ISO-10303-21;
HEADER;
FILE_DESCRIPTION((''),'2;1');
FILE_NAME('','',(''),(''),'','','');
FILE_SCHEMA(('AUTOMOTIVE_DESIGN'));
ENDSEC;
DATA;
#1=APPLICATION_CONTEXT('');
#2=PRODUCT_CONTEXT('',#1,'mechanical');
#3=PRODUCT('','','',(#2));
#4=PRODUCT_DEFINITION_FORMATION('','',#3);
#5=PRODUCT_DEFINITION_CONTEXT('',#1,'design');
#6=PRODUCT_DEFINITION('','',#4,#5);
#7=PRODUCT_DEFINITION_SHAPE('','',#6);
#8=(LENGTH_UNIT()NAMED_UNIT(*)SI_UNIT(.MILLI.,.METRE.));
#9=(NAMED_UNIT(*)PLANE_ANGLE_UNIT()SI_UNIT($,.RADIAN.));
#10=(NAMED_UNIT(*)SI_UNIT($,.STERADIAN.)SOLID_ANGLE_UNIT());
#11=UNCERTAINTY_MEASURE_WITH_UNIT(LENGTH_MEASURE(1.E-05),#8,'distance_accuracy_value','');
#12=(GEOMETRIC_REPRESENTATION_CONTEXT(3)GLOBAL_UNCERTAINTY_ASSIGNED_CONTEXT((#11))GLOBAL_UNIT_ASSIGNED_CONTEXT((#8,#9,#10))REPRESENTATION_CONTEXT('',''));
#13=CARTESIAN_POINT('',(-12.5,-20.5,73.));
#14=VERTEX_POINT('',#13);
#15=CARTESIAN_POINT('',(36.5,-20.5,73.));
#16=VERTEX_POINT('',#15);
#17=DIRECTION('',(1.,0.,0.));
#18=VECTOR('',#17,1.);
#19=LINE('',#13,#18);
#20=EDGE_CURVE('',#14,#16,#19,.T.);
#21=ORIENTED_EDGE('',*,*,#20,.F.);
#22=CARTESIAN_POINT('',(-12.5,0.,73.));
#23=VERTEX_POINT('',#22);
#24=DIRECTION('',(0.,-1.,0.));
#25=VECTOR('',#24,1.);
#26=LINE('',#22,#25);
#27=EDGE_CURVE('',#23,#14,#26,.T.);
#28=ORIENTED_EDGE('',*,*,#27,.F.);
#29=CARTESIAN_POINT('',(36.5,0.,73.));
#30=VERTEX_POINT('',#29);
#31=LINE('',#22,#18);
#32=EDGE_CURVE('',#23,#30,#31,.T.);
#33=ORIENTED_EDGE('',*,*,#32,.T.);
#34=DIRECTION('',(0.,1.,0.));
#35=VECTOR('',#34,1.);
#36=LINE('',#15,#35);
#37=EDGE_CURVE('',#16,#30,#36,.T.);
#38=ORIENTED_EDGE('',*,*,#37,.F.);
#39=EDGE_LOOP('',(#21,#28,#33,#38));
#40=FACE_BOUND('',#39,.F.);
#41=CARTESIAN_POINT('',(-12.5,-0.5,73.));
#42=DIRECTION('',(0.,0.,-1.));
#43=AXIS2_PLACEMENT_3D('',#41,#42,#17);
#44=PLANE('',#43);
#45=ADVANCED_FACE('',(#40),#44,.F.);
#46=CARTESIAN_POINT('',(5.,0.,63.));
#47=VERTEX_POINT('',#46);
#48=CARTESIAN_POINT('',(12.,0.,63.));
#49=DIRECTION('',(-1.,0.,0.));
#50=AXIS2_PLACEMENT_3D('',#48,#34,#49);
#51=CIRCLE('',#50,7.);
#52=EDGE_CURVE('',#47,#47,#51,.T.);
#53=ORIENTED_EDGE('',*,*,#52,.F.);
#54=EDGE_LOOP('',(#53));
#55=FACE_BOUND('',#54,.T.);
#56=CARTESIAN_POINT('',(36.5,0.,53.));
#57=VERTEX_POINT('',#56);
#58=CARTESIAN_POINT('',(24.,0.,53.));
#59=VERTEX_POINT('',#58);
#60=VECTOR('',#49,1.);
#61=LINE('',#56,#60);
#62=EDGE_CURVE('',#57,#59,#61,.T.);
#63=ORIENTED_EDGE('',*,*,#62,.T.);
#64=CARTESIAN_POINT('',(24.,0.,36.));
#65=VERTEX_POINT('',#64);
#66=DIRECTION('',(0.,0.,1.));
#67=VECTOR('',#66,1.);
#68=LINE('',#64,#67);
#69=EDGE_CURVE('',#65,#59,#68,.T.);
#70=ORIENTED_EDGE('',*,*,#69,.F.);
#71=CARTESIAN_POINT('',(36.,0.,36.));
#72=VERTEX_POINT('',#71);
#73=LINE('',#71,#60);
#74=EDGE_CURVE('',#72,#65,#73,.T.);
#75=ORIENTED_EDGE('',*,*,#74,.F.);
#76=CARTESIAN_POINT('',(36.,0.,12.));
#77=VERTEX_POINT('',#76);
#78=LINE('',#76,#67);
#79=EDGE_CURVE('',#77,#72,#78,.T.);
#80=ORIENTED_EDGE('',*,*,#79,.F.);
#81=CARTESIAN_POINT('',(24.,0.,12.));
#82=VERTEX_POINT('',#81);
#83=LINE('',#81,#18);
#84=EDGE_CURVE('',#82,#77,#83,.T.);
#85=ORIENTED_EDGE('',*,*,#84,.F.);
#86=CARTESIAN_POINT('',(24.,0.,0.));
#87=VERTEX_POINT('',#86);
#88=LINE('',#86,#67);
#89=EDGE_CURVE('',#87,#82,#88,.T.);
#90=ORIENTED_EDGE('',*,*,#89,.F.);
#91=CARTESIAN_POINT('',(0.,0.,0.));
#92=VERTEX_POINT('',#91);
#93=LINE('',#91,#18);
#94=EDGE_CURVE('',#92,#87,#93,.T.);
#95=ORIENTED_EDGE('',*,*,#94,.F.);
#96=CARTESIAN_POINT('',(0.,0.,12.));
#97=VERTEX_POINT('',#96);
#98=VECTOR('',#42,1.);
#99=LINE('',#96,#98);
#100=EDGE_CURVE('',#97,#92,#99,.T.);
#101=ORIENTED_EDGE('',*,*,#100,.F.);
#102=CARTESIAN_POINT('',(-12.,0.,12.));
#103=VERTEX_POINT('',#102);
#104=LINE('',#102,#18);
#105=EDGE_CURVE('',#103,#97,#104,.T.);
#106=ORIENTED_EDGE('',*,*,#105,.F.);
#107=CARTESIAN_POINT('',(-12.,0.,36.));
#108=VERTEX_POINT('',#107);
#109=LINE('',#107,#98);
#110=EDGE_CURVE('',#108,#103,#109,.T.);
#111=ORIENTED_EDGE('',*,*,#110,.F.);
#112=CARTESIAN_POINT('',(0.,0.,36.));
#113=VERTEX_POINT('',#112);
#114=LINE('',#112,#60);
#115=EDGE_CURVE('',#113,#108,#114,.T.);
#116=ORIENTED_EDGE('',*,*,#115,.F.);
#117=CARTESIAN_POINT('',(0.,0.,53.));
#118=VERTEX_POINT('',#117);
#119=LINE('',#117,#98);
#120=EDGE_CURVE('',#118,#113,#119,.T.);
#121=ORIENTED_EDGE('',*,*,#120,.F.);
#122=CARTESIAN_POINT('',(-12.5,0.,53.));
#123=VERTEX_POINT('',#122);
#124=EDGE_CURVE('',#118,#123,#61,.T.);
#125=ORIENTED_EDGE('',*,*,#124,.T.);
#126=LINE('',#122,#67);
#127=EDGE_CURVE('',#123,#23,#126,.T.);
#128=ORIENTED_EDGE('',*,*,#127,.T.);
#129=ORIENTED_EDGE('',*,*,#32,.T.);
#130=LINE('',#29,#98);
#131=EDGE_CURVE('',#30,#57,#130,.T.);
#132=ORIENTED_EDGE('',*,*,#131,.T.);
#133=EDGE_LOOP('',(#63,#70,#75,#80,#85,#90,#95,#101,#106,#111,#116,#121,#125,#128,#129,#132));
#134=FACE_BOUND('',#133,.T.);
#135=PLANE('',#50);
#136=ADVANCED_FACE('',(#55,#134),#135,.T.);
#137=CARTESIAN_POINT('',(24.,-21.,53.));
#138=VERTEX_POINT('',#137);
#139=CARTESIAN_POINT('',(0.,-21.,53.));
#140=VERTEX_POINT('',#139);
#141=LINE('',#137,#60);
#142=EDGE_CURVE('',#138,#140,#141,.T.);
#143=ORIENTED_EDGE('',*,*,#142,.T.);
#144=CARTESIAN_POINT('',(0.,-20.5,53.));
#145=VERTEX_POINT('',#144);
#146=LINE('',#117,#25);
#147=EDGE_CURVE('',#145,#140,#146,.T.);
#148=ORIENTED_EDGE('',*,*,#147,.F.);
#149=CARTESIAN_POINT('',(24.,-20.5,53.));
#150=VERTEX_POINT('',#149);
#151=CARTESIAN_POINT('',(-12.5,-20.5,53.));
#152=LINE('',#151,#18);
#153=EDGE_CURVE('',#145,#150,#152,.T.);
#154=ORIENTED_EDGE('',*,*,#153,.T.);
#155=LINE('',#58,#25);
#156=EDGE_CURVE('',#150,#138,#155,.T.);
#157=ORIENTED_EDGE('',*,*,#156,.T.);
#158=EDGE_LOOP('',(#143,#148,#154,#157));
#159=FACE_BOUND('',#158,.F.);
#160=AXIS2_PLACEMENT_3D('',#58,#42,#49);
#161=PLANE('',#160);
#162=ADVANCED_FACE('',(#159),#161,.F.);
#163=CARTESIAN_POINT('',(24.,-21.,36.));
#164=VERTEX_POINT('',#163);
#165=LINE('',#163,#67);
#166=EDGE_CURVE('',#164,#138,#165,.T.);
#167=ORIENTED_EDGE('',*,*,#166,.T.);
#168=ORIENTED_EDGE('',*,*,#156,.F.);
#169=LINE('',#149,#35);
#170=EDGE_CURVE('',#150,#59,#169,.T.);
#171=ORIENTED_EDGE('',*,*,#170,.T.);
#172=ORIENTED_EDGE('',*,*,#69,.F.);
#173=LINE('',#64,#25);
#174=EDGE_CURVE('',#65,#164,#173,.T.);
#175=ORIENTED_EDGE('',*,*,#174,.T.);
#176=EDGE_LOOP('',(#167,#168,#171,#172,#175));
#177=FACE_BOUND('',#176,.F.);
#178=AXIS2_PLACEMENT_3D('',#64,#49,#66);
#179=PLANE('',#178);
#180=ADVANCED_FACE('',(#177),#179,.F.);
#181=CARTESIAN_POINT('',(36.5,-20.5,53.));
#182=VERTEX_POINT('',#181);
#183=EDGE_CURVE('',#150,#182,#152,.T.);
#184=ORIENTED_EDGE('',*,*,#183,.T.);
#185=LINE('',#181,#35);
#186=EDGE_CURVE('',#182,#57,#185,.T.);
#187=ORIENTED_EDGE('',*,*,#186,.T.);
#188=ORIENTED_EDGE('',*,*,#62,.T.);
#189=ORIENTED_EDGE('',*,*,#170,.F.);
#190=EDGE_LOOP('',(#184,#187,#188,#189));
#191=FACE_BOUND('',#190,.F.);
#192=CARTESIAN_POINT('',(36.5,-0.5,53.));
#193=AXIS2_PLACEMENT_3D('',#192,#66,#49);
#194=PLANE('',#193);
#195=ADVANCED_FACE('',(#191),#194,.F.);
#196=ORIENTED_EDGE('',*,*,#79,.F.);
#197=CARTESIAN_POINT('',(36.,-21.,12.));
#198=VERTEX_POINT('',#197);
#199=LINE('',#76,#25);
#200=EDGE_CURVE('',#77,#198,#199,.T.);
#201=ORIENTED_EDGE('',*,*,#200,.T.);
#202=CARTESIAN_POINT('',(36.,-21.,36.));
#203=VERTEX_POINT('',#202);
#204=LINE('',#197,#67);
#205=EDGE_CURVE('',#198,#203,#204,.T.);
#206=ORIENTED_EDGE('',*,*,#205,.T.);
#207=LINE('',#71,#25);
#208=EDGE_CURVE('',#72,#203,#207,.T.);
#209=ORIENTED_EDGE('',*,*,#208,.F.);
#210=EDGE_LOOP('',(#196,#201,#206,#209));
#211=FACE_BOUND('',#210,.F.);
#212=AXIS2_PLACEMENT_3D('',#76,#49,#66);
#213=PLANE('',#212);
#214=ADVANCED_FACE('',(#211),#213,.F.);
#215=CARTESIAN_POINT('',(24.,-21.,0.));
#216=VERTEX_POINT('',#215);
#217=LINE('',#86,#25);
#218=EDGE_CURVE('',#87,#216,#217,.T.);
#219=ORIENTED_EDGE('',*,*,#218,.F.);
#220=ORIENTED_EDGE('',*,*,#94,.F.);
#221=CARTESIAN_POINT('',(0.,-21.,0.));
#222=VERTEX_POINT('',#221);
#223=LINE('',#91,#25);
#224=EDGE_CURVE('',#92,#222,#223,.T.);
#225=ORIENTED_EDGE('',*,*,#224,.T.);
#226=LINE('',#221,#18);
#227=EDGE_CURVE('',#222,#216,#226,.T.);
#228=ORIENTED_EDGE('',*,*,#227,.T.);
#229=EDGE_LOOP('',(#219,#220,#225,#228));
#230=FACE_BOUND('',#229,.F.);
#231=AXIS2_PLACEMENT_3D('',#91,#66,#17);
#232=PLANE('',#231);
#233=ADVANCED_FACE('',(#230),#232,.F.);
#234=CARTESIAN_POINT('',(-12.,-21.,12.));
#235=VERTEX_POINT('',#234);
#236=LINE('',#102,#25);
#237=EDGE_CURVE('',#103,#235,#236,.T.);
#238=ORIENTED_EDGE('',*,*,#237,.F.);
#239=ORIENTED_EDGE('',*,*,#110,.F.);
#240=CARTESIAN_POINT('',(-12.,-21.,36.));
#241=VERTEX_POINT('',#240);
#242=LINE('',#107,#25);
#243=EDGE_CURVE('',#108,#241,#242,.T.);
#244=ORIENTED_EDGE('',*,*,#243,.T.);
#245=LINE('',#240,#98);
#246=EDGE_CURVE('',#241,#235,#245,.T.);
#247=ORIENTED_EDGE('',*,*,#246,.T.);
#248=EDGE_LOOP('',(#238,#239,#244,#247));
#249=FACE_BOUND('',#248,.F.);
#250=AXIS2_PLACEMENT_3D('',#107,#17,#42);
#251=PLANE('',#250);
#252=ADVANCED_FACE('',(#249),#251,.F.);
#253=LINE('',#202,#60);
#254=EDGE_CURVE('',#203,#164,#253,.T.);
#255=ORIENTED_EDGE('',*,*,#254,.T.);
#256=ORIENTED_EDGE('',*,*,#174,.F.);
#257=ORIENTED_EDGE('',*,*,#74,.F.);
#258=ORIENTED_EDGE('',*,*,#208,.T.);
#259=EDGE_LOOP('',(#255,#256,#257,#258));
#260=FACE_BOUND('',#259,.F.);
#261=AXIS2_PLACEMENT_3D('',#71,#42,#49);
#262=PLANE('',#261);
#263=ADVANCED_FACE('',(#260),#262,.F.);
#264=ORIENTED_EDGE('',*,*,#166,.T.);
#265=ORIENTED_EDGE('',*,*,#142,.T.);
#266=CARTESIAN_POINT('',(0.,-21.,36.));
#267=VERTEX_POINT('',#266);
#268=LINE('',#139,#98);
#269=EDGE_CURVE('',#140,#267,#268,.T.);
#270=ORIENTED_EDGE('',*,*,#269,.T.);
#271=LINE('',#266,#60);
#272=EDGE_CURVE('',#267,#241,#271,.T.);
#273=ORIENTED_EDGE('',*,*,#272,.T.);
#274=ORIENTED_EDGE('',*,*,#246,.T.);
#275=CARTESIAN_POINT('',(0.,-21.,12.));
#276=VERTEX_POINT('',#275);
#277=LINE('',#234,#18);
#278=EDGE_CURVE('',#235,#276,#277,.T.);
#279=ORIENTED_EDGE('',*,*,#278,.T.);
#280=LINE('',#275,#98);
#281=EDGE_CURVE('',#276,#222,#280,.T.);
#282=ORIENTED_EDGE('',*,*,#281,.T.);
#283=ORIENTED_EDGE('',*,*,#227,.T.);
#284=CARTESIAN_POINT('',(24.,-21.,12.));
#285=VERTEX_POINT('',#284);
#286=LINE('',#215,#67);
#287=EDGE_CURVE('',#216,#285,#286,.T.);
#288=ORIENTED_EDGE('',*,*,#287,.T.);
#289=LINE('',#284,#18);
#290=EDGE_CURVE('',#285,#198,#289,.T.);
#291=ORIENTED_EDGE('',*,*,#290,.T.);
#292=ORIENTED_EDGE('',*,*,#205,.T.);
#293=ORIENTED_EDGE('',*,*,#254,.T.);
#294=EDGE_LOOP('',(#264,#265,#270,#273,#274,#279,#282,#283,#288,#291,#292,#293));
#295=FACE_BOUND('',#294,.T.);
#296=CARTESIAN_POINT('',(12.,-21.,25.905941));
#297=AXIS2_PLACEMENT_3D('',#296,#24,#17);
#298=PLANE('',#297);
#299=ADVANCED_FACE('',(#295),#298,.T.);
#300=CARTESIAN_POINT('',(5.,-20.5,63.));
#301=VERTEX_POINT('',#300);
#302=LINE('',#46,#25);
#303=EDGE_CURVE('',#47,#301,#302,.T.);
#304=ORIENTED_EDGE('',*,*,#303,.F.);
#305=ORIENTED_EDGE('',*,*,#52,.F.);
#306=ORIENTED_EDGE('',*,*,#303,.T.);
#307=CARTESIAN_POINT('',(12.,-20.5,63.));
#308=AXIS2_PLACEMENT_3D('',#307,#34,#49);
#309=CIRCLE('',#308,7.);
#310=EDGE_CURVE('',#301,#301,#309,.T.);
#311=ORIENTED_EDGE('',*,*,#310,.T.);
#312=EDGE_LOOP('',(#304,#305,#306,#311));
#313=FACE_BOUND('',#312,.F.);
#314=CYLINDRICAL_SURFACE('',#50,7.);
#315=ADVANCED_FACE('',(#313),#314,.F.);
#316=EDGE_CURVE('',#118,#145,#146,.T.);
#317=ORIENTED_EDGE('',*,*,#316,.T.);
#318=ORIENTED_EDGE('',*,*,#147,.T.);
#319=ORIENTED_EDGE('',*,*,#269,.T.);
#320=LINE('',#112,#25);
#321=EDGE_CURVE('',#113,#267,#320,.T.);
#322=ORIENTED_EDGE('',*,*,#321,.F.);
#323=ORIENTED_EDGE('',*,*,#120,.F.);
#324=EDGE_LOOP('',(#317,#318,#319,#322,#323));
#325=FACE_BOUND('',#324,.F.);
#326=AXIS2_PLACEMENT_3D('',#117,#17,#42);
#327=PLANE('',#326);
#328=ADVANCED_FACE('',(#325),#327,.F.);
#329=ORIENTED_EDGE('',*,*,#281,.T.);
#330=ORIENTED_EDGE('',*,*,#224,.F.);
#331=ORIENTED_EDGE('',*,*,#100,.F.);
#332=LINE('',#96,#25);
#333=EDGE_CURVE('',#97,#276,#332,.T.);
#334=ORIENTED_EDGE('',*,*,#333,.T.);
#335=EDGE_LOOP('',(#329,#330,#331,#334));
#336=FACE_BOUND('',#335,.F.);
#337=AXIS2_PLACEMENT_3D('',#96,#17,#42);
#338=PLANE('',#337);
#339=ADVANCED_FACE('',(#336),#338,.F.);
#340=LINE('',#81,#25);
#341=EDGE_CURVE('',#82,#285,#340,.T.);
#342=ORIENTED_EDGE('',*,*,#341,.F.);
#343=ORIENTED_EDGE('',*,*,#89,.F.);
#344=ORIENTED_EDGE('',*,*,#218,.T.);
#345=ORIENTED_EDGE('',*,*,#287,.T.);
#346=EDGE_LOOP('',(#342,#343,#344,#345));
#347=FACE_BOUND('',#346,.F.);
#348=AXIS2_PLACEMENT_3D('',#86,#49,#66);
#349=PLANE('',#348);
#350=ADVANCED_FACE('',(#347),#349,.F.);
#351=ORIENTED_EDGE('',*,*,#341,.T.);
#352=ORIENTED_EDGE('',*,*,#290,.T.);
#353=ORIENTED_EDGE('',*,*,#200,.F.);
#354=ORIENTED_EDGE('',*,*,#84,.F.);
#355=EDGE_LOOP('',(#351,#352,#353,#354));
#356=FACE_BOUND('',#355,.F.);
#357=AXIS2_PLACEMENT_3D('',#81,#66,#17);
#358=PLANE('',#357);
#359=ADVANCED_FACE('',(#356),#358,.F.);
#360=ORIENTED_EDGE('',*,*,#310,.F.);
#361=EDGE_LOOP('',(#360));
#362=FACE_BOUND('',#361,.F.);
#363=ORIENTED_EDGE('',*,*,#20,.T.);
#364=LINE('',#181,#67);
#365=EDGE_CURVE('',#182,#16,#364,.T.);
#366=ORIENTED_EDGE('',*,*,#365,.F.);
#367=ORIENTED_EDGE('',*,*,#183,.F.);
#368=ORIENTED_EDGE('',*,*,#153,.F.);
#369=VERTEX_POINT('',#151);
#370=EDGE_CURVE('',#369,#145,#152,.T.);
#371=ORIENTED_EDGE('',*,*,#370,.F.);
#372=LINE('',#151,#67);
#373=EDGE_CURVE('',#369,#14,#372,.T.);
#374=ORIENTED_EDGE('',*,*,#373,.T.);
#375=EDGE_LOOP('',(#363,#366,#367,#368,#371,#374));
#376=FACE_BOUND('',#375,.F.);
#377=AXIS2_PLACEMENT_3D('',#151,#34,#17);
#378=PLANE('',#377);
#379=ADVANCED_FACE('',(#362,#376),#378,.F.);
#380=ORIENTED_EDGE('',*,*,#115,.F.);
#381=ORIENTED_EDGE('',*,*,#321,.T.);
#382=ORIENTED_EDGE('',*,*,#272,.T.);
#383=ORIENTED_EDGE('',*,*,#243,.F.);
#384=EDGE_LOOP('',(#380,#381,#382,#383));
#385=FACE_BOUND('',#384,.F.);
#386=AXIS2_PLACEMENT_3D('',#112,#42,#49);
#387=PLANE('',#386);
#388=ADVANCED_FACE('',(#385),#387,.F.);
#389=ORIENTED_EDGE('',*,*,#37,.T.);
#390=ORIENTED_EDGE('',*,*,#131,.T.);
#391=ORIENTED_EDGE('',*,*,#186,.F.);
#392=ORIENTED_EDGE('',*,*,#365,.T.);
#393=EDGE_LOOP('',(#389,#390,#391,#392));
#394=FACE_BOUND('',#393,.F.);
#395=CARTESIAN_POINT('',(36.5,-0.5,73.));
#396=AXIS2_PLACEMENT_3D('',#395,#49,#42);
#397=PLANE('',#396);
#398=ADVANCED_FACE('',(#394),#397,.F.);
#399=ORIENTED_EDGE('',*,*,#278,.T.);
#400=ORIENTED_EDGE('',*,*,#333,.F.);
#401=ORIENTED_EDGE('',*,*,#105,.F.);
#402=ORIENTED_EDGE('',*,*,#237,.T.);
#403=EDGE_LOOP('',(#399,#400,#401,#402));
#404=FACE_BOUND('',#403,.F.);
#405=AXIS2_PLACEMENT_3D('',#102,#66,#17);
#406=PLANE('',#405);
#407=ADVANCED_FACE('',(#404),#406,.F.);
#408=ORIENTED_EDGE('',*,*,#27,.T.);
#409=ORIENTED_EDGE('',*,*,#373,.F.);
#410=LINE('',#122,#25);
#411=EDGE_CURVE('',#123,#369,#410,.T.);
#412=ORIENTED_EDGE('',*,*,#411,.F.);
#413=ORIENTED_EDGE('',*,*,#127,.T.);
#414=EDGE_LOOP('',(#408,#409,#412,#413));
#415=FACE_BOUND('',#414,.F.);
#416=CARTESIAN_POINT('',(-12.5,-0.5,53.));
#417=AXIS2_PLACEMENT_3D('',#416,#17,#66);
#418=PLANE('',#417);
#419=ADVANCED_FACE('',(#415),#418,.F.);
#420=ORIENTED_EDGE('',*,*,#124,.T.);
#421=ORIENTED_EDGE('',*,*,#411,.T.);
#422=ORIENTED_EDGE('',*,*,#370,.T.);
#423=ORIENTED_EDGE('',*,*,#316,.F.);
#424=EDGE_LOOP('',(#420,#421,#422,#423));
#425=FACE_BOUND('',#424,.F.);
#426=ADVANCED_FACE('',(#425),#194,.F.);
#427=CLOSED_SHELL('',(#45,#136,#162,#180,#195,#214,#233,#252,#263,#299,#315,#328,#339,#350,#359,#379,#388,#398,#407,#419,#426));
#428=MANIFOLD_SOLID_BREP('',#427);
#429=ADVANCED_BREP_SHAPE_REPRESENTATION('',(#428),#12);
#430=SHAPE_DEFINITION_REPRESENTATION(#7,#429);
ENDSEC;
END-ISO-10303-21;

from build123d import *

# Parameters (mm, degrees)
F1_DEPTH = 21
F2_W     = 12.5
F2_H     = 20
F2_W_2   = 24
F3_DEPTH = 20
F5_DEPTH = 0.5
F6_R     = 7
F7_DEPTH = 25


with BuildPart() as f1:
    # F0 (on Front) → F1 (new body)
    with BuildSketch(Plane.XZ):
        Polygon((0, 12), (0, 0), (24, 0), (24, 12), (36, 12), (36, 36), (24, 36), (24, 53), (0, 53), (0, 36), (-12, 36), (-12, 12), align=None)
    extrude(amount=F1_DEPTH)

    # F2 (on face) → F3 (join)
    with BuildSketch(Plane.XY.offset(53)):
        with Locations((30.25, -10.5)):
            Rectangle(F2_W, F2_H)
        with Locations((12, -10.5)):
            Rectangle(F2_W_2, F2_H)
        with Locations((-6.25, -10.5)):
            Rectangle(F2_W, F2_H)
    extrude(amount=F3_DEPTH)

    # F4 (on face) → F5 (join)
    with BuildSketch(Plane(origin=(0, -0.5, 0), x_dir=(-1, 0, 0), z_dir=(0, 1, 0))):
        Polygon((12.5, 73), (-36.5, 73), (-36.5, 53), (-24, 53), (0, 53), (12.5, 53), align=None)
    extrude(amount=F5_DEPTH)

    # F6 (on face) → F7 (cut)
    with BuildSketch(Plane(origin=(0, 0, 0), x_dir=(-1, 0, 0), z_dir=(0, 1, 0))):
        with Locations((-12, 63)):
            Circle(F6_R)
    extrude(amount=-F7_DEPTH, mode=Mode.SUBTRACT)


solid = f1.part
